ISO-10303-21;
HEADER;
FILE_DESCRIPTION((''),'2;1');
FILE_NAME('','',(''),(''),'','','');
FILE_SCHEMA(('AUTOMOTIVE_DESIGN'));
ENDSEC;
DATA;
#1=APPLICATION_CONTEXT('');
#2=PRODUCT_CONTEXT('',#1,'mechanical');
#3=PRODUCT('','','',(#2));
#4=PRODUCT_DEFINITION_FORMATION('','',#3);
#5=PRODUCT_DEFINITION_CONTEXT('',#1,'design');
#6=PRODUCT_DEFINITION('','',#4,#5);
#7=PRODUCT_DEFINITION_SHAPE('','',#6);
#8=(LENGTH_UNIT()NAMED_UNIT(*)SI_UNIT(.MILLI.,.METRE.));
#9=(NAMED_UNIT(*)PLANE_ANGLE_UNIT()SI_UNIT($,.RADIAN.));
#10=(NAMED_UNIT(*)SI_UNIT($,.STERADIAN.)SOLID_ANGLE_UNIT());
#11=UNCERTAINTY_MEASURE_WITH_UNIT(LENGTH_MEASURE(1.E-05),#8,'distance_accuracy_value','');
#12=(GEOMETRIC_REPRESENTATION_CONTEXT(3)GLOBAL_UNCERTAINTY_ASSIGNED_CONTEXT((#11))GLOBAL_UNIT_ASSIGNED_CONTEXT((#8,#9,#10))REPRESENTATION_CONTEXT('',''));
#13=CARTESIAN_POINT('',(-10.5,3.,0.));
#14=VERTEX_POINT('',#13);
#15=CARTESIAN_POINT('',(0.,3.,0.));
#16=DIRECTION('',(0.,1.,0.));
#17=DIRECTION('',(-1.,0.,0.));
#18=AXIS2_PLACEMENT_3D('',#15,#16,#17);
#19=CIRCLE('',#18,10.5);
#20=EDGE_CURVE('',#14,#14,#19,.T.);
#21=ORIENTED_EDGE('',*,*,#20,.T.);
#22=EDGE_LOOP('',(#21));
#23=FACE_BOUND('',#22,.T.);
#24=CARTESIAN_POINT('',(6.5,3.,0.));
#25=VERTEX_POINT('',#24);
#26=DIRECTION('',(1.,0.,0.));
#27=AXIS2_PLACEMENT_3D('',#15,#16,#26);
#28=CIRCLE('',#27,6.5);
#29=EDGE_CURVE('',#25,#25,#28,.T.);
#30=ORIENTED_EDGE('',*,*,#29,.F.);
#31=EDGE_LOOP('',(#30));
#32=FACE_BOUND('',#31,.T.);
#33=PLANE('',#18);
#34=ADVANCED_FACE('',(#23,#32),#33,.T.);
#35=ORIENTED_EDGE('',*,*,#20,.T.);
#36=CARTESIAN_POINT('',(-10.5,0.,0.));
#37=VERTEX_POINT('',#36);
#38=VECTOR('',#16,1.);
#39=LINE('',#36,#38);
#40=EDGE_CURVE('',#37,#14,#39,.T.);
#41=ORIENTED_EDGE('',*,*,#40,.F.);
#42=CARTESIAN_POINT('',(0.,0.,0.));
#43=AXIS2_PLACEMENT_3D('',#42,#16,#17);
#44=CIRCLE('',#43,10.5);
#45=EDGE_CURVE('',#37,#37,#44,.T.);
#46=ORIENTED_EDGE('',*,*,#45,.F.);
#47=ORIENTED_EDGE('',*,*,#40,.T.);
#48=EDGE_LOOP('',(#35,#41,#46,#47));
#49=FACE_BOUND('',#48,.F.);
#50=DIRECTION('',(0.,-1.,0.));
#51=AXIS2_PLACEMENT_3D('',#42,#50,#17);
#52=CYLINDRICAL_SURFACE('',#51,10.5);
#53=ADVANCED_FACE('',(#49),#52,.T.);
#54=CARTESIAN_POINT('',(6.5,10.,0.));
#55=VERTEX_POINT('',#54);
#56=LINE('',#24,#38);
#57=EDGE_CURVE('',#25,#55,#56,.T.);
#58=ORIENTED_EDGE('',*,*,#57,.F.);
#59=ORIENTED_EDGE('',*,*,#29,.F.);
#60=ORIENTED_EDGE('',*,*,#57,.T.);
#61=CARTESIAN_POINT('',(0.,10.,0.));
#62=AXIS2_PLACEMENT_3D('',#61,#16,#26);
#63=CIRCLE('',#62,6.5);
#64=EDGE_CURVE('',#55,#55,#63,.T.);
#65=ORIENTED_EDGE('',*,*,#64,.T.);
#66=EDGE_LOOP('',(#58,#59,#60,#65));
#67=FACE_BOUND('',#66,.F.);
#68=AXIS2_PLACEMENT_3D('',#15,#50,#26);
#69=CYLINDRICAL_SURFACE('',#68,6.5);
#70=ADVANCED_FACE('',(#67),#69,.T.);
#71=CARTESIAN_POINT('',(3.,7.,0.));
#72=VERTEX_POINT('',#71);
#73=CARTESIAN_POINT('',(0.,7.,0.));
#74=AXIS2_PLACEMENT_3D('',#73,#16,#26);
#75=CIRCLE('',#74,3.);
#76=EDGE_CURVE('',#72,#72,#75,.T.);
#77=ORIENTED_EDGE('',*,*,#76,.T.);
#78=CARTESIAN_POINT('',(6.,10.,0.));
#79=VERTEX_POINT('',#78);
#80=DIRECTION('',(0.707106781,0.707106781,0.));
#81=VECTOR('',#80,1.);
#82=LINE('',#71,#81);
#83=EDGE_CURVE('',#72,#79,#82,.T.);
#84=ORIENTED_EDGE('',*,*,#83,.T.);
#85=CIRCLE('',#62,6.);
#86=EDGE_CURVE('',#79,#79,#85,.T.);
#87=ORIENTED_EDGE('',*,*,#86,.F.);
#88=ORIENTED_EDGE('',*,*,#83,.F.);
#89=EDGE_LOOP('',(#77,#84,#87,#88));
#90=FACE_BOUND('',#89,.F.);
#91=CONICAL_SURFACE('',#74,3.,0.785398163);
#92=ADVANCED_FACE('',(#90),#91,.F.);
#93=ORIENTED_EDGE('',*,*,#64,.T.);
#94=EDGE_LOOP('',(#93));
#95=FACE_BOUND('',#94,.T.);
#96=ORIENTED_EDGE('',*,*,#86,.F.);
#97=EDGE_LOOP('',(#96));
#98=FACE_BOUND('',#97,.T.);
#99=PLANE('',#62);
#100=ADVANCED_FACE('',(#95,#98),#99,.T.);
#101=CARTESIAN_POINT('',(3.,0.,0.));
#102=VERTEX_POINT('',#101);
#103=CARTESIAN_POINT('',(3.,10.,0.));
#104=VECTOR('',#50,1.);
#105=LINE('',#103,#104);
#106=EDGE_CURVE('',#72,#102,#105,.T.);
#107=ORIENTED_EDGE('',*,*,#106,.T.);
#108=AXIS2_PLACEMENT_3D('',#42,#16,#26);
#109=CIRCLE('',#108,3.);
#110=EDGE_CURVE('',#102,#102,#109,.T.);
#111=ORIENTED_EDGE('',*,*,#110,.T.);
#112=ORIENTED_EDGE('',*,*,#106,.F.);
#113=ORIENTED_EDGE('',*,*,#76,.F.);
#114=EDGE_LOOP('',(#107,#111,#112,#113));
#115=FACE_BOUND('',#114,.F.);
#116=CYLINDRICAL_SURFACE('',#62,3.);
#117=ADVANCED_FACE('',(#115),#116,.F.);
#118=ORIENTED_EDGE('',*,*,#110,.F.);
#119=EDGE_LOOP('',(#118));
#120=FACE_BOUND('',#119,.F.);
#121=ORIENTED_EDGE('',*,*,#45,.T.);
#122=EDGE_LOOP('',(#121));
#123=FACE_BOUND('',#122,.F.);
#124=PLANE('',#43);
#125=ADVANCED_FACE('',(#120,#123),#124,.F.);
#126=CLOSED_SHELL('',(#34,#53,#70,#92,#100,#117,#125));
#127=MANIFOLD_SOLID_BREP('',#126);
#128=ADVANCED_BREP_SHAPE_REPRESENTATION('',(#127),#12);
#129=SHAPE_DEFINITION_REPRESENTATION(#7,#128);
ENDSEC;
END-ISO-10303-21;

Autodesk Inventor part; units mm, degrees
ref_plane "YZ Plane" through (0, 0, 0) normal (1, 0, 0) x (0, 1, 0)
ref_plane "XZ Plane" through (0, 0, 0) normal (0, 1, 0) x (-1, 0, 0)
ref_plane "XY Plane" through (0, 0, 0) normal (0, 0, 1) x (1, 0, 0)
sketch "Sketch1" plane through (0, 0, 0) normal (0, 1, 0) x (-1, 0, 0)
  circle A0 centre (0, 0) radius 10.5
  dimension "d0" = 21
extrude "Extrusion1" add sketch "Sketch1" along normal blind 3
sketch "Sketch2" plane through (0, 3, 0) normal (0, 1, 0) x (1, 0, 0)
  circle A0 centre (0, 0) radius 6.5
  dimension "d3" = 13
extrude "Extrusion2" add sketch "Sketch2" along normal blind 7
sketch "Sketch3" plane through (0, 10, 0) normal (0, 1, 0) x (1, 0, 0)
  circle A0 centre (0, 0) radius 3
  dimension "d6" = 6
extrude "Extrusion3" cut sketch "Sketch3" against normal blind 10
chamfer "Chamfer1" distance 3 angle 45 1 edges at (-3, 10, 0)
properties part number "Lower Cylinder Ream" material "Bronze, Soft Tin"
